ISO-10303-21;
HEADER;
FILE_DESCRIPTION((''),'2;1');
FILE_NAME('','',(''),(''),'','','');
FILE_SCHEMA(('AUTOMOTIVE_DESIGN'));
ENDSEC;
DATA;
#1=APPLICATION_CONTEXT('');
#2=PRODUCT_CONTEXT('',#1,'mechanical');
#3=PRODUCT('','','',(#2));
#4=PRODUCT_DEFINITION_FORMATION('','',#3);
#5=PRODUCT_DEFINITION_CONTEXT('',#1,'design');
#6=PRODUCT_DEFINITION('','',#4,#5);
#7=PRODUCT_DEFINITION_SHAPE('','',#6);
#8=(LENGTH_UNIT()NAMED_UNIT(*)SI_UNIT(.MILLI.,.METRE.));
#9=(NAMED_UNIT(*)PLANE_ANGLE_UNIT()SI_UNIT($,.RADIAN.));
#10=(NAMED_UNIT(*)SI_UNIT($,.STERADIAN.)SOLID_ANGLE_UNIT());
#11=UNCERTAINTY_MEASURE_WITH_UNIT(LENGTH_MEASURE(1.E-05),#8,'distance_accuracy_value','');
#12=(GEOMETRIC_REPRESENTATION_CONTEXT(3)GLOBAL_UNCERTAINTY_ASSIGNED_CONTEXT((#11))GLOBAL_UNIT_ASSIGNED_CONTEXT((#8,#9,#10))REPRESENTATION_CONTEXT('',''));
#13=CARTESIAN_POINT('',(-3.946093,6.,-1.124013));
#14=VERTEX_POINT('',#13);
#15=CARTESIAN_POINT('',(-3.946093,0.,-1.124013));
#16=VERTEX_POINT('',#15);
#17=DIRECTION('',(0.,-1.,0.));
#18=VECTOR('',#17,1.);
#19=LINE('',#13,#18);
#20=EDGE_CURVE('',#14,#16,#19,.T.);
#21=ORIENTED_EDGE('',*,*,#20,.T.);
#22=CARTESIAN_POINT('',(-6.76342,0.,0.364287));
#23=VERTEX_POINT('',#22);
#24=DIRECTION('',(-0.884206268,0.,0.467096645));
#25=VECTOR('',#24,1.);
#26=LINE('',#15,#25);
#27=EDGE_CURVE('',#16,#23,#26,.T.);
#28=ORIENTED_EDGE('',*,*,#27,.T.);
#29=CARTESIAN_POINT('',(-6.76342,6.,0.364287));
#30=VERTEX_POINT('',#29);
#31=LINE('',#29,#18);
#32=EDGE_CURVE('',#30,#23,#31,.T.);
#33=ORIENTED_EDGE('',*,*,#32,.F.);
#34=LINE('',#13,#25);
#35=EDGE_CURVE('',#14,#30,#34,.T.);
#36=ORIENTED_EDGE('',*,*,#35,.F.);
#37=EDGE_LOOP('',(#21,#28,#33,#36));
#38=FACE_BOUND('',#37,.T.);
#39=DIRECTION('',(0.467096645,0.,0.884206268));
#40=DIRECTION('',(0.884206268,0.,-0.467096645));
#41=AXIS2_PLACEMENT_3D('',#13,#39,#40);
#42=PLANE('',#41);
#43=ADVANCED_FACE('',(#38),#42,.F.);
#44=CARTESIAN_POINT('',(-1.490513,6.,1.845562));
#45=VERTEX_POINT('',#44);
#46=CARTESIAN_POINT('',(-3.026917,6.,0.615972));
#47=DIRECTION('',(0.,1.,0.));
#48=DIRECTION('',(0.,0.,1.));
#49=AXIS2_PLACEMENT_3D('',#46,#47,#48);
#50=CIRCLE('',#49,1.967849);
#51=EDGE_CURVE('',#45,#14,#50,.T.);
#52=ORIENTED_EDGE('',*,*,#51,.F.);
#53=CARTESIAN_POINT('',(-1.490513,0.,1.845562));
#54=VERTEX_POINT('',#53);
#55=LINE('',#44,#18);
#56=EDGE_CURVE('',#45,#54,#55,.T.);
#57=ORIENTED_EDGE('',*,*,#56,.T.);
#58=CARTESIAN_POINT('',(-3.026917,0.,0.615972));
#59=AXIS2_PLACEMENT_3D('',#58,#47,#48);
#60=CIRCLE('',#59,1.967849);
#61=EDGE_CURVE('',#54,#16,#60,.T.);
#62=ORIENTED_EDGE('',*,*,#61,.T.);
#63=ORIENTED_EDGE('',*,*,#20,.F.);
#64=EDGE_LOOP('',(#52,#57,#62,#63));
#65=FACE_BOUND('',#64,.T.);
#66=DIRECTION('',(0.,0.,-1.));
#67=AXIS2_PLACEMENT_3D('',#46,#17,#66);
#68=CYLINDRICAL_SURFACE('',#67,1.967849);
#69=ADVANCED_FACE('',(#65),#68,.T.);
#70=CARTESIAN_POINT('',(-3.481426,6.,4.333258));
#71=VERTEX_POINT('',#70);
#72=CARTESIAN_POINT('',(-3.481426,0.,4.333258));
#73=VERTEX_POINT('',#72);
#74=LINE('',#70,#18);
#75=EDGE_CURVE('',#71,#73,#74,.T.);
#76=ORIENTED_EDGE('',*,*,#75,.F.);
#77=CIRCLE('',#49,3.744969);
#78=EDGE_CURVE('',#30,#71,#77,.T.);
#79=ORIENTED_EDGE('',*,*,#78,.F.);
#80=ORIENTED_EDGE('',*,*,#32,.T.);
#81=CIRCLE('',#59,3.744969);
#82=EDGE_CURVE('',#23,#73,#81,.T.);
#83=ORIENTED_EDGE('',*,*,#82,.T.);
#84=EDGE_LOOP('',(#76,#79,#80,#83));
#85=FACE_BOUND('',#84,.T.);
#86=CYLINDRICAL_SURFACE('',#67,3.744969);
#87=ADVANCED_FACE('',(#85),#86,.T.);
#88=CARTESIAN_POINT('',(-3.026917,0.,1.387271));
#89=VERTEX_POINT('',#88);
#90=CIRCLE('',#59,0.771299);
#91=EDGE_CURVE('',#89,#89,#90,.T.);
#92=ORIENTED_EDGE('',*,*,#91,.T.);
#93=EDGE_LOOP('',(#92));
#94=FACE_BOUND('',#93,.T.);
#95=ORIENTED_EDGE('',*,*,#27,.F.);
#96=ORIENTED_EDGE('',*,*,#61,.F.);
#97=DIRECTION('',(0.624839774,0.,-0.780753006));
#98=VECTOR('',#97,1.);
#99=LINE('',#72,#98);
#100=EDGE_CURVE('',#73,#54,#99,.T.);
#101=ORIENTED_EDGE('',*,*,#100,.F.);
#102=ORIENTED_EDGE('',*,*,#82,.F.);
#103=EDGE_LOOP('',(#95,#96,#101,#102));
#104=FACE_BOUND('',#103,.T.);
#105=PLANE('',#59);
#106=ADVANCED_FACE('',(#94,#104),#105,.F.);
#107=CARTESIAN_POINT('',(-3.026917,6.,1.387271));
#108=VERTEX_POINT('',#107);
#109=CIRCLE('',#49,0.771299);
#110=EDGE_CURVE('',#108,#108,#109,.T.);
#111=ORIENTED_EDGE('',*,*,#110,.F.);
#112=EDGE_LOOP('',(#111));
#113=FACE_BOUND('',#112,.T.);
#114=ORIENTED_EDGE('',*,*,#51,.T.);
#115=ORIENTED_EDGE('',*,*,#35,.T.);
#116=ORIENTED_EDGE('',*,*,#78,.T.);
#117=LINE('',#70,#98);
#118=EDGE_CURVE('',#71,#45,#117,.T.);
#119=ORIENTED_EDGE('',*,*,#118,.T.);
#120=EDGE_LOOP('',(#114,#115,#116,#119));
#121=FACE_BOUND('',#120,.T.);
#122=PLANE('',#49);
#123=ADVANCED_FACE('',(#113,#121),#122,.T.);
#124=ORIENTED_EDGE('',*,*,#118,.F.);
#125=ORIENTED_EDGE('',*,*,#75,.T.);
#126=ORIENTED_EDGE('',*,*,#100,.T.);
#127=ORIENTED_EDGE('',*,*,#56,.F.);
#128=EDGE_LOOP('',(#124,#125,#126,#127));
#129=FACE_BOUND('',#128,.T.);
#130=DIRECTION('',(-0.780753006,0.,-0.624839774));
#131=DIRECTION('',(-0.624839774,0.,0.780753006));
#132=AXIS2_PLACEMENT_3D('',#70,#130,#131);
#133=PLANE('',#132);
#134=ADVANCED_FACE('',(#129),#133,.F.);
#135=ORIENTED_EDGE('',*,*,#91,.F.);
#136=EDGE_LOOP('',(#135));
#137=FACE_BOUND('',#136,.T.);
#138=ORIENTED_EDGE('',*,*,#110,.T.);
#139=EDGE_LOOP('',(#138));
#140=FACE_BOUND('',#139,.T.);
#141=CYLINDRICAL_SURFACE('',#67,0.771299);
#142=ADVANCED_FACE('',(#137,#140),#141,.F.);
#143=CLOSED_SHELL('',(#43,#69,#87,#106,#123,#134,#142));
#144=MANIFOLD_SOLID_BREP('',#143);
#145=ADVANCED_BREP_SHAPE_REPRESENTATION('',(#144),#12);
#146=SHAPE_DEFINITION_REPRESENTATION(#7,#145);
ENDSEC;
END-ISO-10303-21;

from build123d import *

# Parameters (mm, degrees)
SKETCH2_R           = 0.771298827
BOSS_EXTRUDE1_DEPTH = 6


with BuildPart() as part:
    # Sketch2 → Boss-Extrude1 (new body)
    with BuildSketch(Plane(origin=(0, 0, 0), x_dir=(1, 0, 0), z_dir=(0, 1, 0))):
        with BuildLine():
            Line((-3.481426352, -4.333258088), (-1.490513347, -1.845562237))
            ThreePointArc((-1.490513347, -1.845562237), (-1.510396267, 0.638058997), (-3.94609307, 1.124012551))
            Line((-3.94609307, 1.124012551), (-6.763419737, -0.364287047))
            ThreePointArc((-6.763419737, -0.364287047), (-5.912974689, -3.002489927), (-3.481426352, -4.333258088))
        make_face()
        with Locations(Location((-3.026917391, -0.615971895, 0), (0, 0, 270))):
            Circle(SKETCH2_R, mode=Mode.SUBTRACT)
    extrude(amount=BOSS_EXTRUDE1_DEPTH)


solid = part.part
